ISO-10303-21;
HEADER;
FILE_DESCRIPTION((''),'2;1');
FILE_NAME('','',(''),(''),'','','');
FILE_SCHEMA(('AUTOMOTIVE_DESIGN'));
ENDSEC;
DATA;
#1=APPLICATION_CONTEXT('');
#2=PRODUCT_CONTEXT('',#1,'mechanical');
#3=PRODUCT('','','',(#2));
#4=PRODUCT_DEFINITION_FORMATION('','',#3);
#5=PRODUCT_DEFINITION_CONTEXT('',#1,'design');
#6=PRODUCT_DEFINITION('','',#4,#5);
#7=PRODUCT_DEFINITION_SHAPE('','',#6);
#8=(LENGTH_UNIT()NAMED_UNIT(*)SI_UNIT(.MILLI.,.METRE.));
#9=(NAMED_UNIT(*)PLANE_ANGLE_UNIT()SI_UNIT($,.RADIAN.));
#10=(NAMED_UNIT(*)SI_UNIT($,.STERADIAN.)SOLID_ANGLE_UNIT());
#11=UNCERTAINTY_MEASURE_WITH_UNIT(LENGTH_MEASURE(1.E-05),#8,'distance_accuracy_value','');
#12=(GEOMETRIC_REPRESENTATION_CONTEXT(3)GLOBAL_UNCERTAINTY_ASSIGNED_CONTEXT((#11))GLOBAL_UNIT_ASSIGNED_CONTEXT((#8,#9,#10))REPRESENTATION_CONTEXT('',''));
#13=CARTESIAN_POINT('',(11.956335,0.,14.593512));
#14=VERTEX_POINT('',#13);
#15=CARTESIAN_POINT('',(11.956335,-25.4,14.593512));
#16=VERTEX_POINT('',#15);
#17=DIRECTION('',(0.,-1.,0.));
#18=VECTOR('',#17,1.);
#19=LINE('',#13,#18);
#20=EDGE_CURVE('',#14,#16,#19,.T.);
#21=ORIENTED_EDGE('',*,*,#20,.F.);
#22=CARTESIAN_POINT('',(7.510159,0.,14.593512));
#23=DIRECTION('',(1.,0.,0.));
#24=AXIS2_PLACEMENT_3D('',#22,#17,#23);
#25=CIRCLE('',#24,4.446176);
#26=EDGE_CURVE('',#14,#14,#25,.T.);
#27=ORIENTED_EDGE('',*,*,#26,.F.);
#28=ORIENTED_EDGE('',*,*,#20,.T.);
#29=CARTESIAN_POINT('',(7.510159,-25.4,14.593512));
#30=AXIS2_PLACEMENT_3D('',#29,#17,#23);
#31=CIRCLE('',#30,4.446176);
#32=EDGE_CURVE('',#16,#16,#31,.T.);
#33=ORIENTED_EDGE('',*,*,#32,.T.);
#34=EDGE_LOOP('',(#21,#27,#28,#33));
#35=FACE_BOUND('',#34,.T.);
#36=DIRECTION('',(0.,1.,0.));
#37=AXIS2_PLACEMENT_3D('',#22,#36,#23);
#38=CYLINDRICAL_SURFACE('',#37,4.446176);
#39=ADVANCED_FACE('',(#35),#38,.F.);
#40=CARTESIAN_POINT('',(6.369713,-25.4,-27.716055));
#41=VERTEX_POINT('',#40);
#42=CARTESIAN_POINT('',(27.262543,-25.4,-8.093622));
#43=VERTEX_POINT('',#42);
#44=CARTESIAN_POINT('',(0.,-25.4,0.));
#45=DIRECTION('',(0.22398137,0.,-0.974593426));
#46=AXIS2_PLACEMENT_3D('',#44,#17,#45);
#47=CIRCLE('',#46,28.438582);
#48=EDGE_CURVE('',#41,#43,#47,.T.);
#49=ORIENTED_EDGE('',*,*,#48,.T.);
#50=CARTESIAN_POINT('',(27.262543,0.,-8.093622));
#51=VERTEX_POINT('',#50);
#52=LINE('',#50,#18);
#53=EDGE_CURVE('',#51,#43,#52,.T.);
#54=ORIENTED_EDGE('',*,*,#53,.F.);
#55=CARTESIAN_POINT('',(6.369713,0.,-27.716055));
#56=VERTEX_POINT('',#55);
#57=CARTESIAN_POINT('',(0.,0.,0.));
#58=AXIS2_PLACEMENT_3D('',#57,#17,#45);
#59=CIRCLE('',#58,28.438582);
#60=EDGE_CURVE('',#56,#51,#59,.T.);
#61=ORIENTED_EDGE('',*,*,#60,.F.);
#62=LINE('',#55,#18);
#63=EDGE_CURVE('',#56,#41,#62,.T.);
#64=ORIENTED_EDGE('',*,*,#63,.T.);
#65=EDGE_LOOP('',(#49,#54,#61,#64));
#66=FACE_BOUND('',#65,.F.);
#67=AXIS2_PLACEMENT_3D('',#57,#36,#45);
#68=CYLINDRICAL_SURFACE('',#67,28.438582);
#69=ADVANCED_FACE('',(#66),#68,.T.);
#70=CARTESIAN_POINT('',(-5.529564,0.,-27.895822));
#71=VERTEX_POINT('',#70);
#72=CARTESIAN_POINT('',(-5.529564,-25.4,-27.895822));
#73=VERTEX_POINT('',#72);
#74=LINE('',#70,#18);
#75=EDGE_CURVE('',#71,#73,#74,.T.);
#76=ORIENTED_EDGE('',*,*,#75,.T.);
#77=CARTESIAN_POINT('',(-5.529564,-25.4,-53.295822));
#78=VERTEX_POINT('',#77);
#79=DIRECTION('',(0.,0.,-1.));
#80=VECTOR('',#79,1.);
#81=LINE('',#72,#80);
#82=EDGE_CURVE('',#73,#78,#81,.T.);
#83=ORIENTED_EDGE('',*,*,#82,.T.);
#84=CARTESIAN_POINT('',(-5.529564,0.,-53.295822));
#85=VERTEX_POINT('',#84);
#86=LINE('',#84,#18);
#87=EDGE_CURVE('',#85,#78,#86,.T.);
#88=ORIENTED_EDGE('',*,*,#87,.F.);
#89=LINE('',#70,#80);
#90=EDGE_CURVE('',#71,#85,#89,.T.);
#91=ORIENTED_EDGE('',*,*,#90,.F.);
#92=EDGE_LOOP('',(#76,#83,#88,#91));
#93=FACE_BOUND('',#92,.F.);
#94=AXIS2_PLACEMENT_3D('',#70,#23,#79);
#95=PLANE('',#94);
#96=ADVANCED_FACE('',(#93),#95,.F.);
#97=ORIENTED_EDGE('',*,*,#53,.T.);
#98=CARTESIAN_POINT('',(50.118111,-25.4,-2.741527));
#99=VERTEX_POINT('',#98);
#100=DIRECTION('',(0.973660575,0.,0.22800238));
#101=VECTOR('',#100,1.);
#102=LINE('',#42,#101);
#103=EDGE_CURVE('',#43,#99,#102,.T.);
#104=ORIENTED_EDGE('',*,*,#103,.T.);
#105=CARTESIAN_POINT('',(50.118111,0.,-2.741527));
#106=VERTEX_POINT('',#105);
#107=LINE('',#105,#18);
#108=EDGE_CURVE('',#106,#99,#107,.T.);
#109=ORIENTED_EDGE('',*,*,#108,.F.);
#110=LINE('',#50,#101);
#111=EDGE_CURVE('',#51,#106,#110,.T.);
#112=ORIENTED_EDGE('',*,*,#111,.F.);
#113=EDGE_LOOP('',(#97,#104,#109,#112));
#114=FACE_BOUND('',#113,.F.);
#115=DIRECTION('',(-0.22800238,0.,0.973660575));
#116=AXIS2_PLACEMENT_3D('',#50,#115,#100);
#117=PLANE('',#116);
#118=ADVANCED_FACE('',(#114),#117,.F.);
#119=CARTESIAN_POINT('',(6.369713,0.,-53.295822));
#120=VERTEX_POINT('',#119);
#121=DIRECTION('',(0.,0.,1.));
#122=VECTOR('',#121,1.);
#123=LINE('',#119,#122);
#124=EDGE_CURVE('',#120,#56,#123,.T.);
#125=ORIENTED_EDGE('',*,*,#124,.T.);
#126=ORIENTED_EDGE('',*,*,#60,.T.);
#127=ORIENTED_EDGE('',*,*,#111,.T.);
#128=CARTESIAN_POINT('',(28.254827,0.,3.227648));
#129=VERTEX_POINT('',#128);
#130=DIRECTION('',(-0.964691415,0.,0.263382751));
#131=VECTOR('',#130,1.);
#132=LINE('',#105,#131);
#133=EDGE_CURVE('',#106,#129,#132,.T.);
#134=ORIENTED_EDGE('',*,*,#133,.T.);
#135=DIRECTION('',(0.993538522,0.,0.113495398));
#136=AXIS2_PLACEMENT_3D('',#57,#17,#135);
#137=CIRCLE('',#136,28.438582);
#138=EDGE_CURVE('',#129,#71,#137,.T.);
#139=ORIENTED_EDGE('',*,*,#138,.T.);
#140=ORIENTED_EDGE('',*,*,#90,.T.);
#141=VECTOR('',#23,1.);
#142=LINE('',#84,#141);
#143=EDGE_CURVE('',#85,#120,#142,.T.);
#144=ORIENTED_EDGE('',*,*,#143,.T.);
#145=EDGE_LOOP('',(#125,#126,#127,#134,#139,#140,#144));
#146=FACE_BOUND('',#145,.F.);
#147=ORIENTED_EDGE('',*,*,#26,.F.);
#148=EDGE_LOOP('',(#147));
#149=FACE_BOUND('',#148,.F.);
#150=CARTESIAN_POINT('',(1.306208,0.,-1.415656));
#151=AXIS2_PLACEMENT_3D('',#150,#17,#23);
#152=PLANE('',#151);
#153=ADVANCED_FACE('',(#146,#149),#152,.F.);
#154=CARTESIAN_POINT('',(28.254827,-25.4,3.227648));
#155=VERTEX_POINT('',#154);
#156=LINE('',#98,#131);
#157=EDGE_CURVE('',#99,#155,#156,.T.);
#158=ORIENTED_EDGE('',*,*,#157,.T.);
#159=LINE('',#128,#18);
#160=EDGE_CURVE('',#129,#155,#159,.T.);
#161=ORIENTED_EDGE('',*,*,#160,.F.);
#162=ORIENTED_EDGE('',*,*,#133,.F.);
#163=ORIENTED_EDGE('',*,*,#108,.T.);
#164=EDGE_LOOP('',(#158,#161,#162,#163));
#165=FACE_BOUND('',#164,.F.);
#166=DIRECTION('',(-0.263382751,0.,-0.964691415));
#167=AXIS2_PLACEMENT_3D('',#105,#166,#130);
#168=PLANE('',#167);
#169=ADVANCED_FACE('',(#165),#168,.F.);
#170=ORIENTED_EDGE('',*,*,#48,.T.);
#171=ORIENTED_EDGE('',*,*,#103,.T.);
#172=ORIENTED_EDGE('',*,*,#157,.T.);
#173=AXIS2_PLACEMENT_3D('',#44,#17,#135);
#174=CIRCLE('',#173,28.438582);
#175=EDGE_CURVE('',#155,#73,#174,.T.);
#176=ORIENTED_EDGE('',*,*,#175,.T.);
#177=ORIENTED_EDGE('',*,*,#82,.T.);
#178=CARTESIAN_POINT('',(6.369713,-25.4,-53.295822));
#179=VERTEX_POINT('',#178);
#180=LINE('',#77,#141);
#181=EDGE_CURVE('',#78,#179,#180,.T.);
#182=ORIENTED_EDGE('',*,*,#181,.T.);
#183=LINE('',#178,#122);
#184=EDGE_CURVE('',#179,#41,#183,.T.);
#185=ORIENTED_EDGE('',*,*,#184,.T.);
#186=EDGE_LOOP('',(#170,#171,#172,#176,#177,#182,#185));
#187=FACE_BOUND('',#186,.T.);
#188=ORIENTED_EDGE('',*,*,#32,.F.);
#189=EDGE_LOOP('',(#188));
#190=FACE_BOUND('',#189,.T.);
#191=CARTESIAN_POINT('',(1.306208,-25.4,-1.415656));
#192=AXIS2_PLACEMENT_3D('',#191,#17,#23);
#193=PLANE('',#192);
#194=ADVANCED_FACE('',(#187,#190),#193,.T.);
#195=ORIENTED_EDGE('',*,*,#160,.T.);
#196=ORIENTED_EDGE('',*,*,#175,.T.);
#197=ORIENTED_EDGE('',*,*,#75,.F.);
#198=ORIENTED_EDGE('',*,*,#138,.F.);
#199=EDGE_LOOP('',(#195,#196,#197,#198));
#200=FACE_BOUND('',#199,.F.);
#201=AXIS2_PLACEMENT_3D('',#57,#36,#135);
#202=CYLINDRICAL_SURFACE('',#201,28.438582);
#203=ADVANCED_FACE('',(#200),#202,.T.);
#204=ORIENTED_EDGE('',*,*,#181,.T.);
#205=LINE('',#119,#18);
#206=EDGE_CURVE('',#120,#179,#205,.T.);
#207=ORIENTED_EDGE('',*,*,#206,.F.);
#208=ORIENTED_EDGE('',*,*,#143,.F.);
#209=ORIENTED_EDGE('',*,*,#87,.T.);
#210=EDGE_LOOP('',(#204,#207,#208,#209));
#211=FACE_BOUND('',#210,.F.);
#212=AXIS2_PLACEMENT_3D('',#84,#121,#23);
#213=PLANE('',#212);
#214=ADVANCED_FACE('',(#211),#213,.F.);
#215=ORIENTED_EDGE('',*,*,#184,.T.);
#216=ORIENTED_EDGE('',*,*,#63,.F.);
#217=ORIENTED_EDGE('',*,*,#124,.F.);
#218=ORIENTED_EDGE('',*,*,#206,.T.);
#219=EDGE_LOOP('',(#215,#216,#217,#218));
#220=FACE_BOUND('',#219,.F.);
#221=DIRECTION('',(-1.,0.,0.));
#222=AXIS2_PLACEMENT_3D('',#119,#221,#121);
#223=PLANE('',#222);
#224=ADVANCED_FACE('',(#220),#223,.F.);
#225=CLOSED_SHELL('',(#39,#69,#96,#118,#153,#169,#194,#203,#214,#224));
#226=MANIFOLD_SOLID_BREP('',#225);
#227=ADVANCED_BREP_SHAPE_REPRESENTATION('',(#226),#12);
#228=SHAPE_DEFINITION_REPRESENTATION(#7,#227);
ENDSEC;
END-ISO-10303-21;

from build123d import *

# Parameters (mm, degrees)
F0_R     = 4.446176
F1_DEPTH = 25.4


with BuildPart() as f1:
    # F0 (on Front) → F1 (new body)
    with BuildSketch(Plane.XZ):
        with BuildLine():
            ThreePointArc((27.262543, -8.093622), (28.143037, -4.089309), (28.438582, 0))
            ThreePointArc((28.438582, 0), (28.392606, 1.616437), (28.254827, 3.227648))
            ThreePointArc((28.254827, 3.227648), (-19.268549, 20.915926), (-5.529564, -27.895822))
            ThreePointArc((-5.529564, -27.895822), (0.429583, -28.435337), (6.369713, -27.716055))
            ThreePointArc((6.369713, -27.716055), (19.469004, -20.729468), (27.262543, -8.093622))
        make_face()
        with Locations((7.510159, 14.593512)):
            Circle(F0_R, mode=Mode.SUBTRACT)
        with BuildLine():
            ThreePointArc((28.254827, 3.227648), (28.392606, 1.616437), (28.438582, 0))
            ThreePointArc((28.438582, 0), (28.143037, -4.089309), (27.262543, -8.093622))
            Line((27.262543, -8.093622), (50.118111, -2.741527))
            Line((50.118111, -2.741527), (28.254827, 3.227648))
        make_face()
        with BuildLine():
            ThreePointArc((6.369713, -27.716055), (0.429583, -28.435337), (-5.529564, -27.895822))
            Line((-5.529564, -27.895822), (-5.529564, -53.295822))
            Line((-5.529564, -53.295822), (6.369713, -53.295822))
            Line((6.369713, -53.295822), (6.369713, -27.716055))
        make_face()
    extrude(amount=F1_DEPTH)


solid = f1.part
